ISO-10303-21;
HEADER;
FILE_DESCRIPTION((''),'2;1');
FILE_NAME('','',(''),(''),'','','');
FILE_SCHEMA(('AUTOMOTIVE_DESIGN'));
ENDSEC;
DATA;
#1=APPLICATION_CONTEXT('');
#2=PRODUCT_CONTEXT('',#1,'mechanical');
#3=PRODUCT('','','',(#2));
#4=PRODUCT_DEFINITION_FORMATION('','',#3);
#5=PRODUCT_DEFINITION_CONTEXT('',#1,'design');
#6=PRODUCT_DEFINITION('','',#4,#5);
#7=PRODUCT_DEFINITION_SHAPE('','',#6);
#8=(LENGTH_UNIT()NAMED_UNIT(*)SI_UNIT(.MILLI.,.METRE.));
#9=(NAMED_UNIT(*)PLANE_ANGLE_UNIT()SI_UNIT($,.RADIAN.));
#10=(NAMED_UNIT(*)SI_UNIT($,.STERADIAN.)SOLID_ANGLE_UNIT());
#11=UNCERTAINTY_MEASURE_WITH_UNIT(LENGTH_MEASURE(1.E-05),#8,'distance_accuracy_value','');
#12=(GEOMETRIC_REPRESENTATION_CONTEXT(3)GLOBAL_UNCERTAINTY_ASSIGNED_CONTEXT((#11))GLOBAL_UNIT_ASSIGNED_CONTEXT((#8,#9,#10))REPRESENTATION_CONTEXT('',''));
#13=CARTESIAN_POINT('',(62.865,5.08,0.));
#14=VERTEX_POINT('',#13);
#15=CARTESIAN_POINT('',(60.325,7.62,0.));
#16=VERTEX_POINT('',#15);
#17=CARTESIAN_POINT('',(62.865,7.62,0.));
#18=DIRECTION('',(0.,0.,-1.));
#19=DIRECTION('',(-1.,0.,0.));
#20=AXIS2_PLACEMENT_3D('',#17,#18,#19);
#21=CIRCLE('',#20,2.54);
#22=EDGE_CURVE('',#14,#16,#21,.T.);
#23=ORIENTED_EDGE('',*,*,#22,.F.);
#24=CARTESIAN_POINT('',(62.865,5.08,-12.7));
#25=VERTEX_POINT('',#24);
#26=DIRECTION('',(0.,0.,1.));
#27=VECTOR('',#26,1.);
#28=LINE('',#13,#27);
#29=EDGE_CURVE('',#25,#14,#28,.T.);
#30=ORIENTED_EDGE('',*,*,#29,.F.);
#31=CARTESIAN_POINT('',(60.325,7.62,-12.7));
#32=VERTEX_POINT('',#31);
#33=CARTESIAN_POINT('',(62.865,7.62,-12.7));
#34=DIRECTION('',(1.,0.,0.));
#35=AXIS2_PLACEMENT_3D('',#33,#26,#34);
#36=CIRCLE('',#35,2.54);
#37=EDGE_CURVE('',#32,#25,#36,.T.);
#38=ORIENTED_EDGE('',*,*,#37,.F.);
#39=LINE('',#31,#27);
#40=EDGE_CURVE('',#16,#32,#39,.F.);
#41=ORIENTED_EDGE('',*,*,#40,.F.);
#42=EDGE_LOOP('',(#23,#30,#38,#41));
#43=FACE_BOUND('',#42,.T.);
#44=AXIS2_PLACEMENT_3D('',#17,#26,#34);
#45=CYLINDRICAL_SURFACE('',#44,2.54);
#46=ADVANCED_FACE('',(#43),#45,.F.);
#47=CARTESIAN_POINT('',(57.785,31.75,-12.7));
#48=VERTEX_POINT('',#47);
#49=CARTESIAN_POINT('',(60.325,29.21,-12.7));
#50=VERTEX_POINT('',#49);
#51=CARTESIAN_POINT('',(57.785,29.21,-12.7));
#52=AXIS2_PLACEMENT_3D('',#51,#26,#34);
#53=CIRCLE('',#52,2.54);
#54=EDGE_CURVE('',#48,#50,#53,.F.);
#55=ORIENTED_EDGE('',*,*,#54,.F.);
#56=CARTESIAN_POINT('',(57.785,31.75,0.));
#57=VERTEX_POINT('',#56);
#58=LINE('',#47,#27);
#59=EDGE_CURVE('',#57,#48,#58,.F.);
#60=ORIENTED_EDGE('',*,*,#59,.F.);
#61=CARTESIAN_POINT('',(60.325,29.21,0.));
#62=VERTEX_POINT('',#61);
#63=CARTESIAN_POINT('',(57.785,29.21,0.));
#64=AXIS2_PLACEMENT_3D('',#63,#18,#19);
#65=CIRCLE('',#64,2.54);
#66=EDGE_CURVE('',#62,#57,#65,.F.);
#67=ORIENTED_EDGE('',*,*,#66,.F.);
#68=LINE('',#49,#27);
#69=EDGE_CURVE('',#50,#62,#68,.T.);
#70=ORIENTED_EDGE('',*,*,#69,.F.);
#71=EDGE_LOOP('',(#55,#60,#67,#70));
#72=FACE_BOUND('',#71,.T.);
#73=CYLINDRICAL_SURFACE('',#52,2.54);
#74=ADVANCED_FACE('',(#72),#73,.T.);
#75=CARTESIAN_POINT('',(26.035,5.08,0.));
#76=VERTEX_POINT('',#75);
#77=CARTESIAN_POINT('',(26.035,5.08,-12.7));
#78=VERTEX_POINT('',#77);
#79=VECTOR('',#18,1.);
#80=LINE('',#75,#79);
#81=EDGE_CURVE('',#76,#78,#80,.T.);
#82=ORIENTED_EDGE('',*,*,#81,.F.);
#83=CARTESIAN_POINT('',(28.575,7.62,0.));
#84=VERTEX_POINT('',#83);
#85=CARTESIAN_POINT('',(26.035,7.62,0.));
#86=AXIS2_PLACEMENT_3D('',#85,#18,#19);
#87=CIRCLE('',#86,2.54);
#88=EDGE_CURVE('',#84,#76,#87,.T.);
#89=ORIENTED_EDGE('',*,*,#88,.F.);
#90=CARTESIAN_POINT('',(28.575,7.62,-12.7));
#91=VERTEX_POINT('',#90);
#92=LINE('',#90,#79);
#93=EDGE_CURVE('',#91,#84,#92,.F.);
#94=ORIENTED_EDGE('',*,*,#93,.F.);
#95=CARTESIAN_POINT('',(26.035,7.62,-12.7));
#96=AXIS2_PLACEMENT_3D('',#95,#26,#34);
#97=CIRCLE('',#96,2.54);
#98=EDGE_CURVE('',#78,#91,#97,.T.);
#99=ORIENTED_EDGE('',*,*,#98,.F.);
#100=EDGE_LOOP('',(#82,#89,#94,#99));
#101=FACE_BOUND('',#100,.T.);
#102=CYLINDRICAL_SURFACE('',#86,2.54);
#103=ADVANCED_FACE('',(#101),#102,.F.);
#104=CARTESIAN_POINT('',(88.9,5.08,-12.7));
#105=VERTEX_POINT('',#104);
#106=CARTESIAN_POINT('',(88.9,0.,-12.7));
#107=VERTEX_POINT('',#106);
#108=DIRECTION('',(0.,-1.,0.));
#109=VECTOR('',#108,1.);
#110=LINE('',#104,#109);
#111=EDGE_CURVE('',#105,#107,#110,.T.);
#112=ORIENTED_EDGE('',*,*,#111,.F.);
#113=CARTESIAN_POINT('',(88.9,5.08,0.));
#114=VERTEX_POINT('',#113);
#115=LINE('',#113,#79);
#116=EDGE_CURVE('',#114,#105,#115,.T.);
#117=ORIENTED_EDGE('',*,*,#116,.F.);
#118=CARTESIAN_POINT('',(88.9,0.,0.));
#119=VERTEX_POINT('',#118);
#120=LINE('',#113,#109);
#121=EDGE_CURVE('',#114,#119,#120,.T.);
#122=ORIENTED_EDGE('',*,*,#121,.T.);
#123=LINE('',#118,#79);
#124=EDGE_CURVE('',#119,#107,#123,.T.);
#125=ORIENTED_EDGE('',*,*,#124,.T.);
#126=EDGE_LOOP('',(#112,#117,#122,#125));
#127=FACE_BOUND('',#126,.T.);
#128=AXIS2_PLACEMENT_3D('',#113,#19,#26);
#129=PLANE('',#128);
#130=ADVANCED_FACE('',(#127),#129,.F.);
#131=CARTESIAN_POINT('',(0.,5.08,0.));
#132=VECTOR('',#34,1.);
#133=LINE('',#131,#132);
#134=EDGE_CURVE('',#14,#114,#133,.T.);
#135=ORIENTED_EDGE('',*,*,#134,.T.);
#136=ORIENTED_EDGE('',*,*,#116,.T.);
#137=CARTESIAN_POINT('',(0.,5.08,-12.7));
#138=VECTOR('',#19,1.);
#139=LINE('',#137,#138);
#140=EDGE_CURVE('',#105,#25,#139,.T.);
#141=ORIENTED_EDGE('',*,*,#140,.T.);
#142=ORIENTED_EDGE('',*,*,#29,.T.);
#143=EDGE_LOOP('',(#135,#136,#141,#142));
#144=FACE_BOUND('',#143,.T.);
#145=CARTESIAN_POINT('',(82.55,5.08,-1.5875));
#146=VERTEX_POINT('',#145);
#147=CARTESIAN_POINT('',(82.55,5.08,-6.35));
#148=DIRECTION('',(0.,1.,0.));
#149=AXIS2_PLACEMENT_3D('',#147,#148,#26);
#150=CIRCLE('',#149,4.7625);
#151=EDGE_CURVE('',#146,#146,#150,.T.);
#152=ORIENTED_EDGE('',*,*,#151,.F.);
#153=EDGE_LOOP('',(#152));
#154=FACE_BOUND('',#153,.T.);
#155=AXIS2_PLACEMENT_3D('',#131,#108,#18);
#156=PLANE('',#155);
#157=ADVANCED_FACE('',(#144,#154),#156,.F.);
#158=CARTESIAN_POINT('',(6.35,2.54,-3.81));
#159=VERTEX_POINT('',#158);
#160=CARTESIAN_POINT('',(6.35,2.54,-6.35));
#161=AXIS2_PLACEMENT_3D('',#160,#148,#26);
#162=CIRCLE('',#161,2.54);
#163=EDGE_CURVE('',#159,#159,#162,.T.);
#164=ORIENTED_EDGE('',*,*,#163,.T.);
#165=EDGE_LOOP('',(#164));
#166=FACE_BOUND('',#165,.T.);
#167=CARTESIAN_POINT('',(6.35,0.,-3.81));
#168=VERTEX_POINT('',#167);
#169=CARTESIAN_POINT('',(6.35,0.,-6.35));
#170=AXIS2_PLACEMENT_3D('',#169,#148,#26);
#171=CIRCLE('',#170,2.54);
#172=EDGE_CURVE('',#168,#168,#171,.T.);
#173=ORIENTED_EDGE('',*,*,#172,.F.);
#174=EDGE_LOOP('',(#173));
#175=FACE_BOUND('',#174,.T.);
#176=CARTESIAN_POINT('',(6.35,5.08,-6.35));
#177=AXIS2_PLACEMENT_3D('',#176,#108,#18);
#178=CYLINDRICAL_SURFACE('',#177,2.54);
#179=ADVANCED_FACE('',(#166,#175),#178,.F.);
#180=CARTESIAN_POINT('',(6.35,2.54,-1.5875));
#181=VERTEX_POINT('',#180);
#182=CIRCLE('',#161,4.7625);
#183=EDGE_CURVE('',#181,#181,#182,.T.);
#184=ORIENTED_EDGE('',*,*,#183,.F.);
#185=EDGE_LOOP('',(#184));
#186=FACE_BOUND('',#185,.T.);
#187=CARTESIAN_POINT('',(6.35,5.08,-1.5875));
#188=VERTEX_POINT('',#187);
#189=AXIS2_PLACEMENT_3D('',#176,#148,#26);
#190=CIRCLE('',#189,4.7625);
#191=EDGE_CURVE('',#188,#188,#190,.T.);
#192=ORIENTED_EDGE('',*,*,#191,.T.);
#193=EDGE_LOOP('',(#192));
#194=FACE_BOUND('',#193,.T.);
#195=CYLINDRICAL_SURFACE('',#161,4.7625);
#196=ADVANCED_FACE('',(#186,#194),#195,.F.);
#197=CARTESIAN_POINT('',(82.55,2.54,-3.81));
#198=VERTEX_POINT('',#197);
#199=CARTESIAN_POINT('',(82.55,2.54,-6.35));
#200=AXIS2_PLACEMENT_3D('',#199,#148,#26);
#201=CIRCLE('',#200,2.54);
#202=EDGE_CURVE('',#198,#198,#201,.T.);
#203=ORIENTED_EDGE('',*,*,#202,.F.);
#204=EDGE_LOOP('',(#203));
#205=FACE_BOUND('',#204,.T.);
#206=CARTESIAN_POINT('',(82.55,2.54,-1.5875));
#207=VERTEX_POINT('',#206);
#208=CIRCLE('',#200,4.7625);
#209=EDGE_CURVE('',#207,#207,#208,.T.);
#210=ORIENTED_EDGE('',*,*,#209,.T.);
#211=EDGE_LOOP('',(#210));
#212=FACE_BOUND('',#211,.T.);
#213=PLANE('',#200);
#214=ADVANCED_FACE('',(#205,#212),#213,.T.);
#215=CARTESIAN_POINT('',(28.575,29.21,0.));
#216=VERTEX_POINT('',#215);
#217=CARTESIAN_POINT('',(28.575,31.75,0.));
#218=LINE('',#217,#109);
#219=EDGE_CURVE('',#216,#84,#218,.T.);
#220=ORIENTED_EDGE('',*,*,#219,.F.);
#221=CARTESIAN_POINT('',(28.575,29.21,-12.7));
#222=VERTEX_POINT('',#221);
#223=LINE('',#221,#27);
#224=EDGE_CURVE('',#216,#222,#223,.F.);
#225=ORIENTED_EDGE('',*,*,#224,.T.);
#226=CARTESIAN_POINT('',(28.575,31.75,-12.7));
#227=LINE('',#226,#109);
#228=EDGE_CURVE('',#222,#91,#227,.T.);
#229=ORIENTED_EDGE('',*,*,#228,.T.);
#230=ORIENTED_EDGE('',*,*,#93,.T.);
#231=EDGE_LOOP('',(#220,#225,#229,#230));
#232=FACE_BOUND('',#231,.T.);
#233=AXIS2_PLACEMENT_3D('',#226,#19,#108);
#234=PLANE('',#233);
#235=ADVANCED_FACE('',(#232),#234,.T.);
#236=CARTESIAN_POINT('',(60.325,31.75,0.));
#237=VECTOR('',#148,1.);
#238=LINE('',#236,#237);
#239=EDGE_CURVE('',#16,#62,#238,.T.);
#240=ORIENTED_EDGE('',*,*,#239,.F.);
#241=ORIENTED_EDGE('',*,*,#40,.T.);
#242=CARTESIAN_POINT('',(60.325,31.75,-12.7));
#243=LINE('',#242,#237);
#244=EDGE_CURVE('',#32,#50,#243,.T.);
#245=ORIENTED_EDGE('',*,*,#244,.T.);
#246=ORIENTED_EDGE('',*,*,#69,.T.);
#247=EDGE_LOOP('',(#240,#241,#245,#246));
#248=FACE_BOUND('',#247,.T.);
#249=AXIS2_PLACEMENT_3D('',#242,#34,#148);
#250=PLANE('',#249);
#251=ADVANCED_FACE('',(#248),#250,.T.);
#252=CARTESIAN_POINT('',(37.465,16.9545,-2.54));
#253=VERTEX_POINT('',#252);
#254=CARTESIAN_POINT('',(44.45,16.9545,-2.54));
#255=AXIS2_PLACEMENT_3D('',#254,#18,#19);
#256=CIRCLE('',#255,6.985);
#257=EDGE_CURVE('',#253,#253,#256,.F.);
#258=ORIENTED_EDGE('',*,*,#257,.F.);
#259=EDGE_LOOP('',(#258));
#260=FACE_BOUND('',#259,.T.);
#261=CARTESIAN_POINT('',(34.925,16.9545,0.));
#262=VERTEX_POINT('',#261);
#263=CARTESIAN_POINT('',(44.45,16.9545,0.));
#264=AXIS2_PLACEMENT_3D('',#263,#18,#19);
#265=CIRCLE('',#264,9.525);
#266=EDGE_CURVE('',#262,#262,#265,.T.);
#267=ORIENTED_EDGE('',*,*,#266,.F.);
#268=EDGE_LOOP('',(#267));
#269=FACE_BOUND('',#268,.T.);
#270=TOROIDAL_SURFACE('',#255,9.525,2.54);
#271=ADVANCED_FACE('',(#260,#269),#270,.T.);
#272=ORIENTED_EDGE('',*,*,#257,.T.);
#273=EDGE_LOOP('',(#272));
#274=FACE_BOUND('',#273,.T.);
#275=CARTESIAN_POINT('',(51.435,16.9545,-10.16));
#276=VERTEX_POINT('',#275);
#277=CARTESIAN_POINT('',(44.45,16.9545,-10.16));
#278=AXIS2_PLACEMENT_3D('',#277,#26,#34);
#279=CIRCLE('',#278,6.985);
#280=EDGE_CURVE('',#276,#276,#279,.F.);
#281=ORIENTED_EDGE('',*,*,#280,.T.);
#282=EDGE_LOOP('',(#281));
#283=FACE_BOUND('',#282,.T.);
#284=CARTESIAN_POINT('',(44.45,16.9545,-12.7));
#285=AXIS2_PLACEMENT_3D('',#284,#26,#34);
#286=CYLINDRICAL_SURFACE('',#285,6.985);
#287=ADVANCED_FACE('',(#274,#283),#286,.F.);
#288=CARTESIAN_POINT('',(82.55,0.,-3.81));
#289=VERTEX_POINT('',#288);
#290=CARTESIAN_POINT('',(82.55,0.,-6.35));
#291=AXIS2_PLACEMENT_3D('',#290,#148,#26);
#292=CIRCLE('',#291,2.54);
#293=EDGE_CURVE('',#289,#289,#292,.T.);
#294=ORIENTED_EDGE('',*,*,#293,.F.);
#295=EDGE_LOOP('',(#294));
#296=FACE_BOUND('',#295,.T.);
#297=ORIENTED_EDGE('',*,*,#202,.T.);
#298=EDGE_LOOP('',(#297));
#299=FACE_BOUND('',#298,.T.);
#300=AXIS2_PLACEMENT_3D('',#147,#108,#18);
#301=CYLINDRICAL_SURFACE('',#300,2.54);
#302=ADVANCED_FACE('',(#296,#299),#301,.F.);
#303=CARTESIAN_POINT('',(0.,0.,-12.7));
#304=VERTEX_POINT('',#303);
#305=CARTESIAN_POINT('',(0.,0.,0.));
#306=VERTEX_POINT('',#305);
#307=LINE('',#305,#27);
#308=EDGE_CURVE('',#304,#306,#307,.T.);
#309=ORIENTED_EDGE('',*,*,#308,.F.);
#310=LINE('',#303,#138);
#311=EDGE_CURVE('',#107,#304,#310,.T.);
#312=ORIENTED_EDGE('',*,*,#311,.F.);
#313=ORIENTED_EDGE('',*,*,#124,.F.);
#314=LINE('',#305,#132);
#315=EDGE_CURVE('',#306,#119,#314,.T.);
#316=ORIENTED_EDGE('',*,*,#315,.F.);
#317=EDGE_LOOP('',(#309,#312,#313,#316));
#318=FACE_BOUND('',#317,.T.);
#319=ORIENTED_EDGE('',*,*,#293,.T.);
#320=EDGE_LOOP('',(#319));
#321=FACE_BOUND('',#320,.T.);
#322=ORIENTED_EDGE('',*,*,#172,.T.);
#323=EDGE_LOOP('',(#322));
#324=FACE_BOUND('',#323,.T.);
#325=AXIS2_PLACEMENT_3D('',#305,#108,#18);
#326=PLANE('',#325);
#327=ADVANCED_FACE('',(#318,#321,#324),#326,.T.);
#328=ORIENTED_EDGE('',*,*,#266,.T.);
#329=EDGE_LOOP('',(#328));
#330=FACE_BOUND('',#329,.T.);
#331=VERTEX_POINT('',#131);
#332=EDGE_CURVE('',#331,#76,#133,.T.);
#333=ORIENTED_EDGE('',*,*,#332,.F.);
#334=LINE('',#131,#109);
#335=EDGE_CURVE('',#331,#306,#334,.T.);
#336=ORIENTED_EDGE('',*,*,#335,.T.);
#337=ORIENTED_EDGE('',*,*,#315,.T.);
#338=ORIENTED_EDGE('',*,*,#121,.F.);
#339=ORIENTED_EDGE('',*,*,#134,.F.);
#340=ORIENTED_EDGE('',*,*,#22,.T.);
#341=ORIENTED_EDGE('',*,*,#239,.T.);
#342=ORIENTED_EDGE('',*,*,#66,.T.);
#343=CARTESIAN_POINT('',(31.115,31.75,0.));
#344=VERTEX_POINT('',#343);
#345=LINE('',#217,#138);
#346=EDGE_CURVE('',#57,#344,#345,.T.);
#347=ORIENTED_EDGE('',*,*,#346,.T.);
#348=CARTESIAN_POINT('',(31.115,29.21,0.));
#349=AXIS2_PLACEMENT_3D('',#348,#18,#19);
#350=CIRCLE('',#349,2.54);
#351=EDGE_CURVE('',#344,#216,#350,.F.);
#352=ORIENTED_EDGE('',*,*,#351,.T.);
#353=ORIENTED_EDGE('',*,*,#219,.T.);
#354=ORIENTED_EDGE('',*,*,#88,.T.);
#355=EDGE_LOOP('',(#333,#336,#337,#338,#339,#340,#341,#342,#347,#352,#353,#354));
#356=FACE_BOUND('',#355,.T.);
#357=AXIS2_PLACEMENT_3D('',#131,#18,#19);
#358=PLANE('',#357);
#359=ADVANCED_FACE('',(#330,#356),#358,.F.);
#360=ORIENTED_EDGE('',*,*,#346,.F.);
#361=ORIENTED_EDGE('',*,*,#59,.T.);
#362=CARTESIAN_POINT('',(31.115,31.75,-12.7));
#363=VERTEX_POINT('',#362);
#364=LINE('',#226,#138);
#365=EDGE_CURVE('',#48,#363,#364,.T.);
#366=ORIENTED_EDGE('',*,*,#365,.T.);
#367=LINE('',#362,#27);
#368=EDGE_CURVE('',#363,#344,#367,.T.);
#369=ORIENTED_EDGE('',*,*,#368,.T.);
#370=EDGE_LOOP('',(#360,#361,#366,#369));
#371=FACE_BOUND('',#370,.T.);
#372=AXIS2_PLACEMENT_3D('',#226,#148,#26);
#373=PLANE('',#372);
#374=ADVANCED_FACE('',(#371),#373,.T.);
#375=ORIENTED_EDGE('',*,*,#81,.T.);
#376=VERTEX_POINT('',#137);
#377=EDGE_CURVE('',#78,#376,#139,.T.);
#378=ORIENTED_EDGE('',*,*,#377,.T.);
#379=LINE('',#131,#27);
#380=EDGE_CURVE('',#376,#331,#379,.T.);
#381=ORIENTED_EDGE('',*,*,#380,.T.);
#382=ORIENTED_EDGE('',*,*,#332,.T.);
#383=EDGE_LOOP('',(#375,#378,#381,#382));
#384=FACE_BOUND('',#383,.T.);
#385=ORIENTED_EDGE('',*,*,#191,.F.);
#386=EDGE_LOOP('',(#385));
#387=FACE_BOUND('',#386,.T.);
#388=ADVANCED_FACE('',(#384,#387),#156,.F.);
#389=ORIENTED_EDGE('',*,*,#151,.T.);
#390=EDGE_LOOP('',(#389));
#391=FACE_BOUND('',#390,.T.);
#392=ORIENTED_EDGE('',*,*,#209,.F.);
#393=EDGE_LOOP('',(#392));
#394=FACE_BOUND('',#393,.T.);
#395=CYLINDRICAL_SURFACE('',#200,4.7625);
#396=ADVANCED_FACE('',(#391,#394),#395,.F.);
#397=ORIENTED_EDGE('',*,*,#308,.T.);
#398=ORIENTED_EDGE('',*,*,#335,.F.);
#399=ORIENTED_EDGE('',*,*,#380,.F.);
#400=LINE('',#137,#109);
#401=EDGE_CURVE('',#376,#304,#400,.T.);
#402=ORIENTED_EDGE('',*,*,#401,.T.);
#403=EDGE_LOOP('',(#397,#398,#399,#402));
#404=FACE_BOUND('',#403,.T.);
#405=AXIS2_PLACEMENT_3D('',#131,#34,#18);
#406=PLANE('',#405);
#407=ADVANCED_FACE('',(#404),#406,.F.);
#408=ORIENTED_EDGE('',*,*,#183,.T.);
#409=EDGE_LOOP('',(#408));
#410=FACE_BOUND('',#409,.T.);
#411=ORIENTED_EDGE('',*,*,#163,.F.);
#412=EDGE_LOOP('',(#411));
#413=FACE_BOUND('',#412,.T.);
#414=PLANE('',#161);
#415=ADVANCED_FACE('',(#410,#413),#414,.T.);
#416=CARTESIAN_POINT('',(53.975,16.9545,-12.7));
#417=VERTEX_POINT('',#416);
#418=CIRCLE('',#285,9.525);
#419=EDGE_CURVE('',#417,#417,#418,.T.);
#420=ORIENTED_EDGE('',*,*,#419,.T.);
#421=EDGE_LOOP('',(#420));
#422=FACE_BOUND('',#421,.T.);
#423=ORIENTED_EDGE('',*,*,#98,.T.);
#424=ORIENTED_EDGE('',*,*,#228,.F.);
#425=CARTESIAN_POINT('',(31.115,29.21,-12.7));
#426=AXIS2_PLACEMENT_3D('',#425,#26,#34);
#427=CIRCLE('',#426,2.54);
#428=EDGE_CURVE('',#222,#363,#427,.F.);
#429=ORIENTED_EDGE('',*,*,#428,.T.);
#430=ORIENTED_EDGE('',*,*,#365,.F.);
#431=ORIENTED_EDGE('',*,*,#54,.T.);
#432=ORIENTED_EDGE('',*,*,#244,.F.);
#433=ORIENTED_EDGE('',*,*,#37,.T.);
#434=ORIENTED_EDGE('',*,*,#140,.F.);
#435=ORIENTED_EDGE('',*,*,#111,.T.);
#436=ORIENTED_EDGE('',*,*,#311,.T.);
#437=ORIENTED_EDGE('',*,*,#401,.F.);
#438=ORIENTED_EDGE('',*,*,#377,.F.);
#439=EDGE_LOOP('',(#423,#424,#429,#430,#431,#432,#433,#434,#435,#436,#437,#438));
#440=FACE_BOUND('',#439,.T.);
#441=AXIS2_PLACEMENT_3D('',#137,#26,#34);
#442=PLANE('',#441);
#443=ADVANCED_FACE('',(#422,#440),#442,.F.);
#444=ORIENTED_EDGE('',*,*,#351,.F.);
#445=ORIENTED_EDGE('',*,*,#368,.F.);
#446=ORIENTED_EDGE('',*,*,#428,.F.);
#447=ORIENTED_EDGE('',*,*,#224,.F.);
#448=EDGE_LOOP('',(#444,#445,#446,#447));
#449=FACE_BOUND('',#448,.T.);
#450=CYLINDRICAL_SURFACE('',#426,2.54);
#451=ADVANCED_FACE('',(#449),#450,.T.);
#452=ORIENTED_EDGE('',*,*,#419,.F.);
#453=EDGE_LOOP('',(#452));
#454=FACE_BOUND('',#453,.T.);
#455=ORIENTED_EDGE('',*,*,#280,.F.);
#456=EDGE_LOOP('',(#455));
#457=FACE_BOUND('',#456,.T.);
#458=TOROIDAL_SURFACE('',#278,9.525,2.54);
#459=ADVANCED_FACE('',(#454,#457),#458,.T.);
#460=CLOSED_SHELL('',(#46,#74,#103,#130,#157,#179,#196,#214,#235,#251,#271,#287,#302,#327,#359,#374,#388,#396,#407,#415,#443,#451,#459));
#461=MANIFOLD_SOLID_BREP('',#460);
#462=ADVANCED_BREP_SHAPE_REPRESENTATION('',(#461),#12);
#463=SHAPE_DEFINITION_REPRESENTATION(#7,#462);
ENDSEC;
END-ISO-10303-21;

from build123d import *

# Parameters (mm, degrees)
SKETCH1_W           = 88.9
SKETCH1_H           = 12.7
SKETCH1_R           = 2.54
BOSS_EXTRUDE2_DEPTH = 5.08
SKETCH3_R           = 4.7625
CUT_EXTRUDE1_DEPTH  = 2.54
SKETCH4_W           = 31.75
SKETCH4_H           = 31.75
SKETCH4_R           = 6.985
BOSS_EXTRUDE3_DEPTH = 12.7
FILLET1_R           = 2.54


with BuildPart() as part:
    # Sketch1 → Boss-Extrude2 (new body)
    with BuildSketch(Plane(origin=(0, 0, 0), x_dir=(1, 0, 0), z_dir=(0, 1, 0))):
        with Locations((44.45, 6.35)):
            Rectangle(SKETCH1_W, SKETCH1_H)
        with Locations(Location((6.35, 6.35, 0), (0, 0, 270))):
            Circle(SKETCH1_R, mode=Mode.SUBTRACT)
        with Locations(Location((82.55, 6.35, 0), (0, 0, 270))):
            Circle(SKETCH1_R, mode=Mode.SUBTRACT)
    extrude(amount=BOSS_EXTRUDE2_DEPTH)

    # Sketch3 → Cut-Extrude1 (cut)
    with BuildSketch(Plane(origin=(0, 5.08, 0), x_dir=(1, 0, 0), z_dir=(0, 1, 0))):
        with Locations(Location((6.35, 6.35, 0), (0, 0, 270))):
            Circle(SKETCH3_R)
        with Locations(Location((82.55, 6.35, 0), (0, 0, 270))):
            Circle(SKETCH3_R)
    extrude(amount=-CUT_EXTRUDE1_DEPTH, mode=Mode.SUBTRACT)

    # Sketch4 → Boss-Extrude3 (add)
    with BuildSketch(Plane.XY):
        with Locations((44.45, 15.875)):
            Rectangle(SKETCH4_W, SKETCH4_H)
        with Locations((44.45, 16.9545)):
            Circle(SKETCH4_R, mode=Mode.SUBTRACT)
    extrude(amount=-BOSS_EXTRUDE3_DEPTH)

    # Fillet1
    fillet1_edges = [part.edges().sort_by_distance(p)[0] for p in [
        (37.465, 16.9545, -12.7),
        (60.325, 31.75, -6.35),
        (28.575, 5.08, -6.35),
        (28.575, 31.75, -6.35),
        (60.325, 5.08, -6.35),
        (37.465, 16.9545, 0),
    ]]
    fillet(fillet1_edges, radius=FILLET1_R)


solid = part.part
